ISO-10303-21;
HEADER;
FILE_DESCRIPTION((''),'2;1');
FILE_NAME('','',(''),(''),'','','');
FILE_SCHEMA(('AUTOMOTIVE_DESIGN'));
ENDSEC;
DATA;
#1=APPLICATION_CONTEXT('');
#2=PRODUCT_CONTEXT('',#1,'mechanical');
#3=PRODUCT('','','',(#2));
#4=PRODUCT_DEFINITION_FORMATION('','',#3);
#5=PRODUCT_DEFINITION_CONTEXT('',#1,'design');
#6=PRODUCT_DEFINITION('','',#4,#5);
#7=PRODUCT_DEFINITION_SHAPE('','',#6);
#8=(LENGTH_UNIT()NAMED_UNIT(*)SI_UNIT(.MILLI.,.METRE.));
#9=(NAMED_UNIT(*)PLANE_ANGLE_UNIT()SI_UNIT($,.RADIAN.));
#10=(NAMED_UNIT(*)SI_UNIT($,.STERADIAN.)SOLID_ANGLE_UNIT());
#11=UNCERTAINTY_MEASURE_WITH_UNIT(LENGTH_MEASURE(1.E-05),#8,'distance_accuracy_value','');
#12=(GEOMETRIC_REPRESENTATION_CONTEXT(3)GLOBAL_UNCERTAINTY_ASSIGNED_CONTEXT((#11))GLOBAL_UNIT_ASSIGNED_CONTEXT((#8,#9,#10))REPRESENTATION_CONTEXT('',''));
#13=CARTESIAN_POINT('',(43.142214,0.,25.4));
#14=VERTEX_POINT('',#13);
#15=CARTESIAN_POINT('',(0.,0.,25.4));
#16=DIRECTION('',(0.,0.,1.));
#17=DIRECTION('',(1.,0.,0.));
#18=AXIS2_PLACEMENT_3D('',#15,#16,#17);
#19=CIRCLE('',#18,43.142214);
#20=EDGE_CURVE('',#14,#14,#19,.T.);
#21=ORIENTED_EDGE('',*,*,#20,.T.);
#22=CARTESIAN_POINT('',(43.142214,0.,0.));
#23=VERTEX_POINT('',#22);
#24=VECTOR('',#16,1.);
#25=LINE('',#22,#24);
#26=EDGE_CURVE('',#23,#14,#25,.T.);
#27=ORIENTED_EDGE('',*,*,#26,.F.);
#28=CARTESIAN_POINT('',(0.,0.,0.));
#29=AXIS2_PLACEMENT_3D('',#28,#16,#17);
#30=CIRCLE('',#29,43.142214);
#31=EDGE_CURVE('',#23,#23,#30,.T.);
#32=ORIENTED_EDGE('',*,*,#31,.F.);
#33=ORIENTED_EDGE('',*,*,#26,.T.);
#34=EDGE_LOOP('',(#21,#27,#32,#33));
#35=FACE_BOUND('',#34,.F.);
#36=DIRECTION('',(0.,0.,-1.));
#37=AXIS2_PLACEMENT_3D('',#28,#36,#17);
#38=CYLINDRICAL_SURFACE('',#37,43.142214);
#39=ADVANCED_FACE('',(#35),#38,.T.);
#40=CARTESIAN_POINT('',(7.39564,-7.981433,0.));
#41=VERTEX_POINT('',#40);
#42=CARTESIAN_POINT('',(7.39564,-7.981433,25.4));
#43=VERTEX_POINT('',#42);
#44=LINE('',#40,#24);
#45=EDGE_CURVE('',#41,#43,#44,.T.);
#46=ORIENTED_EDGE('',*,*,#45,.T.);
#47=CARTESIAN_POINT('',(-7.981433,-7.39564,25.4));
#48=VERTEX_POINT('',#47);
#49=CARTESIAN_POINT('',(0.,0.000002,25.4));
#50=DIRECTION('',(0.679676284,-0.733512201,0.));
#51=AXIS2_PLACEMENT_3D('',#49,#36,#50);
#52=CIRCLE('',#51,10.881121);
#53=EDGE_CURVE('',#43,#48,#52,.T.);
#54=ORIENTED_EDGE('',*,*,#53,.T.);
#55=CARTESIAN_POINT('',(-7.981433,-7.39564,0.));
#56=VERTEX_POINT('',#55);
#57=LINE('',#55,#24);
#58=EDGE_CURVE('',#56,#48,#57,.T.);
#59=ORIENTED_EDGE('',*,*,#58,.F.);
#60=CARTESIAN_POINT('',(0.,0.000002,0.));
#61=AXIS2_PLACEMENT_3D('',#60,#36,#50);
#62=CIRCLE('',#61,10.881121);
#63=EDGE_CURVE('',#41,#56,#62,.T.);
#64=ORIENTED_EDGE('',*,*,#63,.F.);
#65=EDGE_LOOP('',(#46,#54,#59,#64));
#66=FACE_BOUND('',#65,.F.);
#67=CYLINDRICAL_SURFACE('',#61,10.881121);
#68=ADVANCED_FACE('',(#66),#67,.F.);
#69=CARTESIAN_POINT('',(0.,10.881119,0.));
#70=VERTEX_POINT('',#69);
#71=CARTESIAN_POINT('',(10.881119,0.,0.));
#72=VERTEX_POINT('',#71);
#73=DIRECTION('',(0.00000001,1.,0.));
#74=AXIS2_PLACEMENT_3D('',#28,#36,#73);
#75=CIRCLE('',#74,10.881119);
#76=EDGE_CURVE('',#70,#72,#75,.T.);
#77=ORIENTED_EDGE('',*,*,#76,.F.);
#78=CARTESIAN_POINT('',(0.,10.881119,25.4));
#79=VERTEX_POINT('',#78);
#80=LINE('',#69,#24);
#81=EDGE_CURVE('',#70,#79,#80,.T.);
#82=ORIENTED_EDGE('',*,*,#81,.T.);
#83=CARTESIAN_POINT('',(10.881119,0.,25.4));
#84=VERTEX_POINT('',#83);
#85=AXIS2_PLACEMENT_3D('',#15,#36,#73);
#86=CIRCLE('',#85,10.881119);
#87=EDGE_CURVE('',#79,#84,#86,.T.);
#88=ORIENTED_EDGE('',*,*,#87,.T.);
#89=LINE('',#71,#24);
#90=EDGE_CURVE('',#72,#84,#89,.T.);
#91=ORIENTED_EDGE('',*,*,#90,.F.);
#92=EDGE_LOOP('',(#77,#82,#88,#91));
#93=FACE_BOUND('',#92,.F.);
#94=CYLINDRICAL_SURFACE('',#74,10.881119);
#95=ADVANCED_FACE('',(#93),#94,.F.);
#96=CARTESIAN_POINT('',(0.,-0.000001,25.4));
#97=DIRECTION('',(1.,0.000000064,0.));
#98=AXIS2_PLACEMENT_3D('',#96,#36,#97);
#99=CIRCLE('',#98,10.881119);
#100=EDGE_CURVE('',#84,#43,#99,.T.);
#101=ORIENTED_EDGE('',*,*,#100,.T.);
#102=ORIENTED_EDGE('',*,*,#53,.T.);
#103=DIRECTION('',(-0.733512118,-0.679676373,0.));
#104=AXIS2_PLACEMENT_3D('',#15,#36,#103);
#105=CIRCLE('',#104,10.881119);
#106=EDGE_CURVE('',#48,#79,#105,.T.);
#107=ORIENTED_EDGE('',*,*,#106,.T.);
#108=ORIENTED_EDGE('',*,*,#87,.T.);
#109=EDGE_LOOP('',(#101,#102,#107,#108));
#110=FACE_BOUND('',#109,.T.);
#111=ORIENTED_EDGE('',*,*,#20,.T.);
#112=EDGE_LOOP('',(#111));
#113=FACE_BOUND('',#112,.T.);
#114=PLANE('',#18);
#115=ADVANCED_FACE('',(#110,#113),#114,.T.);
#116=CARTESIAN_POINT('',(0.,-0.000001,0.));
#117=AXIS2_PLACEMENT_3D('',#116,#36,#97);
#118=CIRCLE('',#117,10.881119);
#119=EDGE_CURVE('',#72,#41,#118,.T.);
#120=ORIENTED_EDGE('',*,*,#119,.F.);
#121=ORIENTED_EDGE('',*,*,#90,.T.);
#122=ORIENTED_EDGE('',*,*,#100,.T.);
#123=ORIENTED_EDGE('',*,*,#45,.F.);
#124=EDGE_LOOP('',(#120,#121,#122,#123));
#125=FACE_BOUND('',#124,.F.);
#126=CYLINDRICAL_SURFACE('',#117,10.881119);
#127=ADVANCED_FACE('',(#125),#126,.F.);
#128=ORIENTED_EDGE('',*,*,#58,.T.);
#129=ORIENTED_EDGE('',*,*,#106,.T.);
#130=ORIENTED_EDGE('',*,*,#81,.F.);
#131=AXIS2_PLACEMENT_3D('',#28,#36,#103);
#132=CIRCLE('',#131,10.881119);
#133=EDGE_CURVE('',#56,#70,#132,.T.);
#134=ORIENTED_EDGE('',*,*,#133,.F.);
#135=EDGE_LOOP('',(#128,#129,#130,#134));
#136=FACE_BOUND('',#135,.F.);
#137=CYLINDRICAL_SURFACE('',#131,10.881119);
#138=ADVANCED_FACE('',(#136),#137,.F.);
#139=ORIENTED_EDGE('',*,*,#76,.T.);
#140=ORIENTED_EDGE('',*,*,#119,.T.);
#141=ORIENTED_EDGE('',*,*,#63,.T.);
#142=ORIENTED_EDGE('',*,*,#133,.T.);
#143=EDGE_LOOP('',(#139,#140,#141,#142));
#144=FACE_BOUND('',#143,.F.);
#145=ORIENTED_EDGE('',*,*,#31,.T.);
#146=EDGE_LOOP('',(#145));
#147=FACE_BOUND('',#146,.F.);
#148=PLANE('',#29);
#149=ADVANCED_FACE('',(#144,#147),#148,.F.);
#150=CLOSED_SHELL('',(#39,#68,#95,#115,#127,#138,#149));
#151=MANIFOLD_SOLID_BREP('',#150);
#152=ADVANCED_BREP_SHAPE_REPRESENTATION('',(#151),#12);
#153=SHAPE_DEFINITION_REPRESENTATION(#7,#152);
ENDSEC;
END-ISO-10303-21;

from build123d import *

# Parameters (mm, degrees)
F0_R     = 43.142214
F1_DEPTH = 25.4


with BuildPart() as f1:
    # F0 (on Top) → F1 (new body)
    with BuildSketch(Plane.XY):
        Circle(F0_R)
        with BuildLine():
            ThreePointArc((0, 10.881119), (7.694113, 7.694113), (10.881119, 0))
            ThreePointArc((10.881119, 0), (9.97175, -4.354648), (7.39564, -7.981433))
            ThreePointArc((7.39564, -7.981433), (-0.414218, -10.873232), (-7.981433, -7.39564))
            ThreePointArc((-7.981433, -7.39564), (-9.97175, 4.354648), (0, 10.881119))
        make_face(mode=Mode.SUBTRACT)
    extrude(amount=F1_DEPTH)


solid = f1.part
